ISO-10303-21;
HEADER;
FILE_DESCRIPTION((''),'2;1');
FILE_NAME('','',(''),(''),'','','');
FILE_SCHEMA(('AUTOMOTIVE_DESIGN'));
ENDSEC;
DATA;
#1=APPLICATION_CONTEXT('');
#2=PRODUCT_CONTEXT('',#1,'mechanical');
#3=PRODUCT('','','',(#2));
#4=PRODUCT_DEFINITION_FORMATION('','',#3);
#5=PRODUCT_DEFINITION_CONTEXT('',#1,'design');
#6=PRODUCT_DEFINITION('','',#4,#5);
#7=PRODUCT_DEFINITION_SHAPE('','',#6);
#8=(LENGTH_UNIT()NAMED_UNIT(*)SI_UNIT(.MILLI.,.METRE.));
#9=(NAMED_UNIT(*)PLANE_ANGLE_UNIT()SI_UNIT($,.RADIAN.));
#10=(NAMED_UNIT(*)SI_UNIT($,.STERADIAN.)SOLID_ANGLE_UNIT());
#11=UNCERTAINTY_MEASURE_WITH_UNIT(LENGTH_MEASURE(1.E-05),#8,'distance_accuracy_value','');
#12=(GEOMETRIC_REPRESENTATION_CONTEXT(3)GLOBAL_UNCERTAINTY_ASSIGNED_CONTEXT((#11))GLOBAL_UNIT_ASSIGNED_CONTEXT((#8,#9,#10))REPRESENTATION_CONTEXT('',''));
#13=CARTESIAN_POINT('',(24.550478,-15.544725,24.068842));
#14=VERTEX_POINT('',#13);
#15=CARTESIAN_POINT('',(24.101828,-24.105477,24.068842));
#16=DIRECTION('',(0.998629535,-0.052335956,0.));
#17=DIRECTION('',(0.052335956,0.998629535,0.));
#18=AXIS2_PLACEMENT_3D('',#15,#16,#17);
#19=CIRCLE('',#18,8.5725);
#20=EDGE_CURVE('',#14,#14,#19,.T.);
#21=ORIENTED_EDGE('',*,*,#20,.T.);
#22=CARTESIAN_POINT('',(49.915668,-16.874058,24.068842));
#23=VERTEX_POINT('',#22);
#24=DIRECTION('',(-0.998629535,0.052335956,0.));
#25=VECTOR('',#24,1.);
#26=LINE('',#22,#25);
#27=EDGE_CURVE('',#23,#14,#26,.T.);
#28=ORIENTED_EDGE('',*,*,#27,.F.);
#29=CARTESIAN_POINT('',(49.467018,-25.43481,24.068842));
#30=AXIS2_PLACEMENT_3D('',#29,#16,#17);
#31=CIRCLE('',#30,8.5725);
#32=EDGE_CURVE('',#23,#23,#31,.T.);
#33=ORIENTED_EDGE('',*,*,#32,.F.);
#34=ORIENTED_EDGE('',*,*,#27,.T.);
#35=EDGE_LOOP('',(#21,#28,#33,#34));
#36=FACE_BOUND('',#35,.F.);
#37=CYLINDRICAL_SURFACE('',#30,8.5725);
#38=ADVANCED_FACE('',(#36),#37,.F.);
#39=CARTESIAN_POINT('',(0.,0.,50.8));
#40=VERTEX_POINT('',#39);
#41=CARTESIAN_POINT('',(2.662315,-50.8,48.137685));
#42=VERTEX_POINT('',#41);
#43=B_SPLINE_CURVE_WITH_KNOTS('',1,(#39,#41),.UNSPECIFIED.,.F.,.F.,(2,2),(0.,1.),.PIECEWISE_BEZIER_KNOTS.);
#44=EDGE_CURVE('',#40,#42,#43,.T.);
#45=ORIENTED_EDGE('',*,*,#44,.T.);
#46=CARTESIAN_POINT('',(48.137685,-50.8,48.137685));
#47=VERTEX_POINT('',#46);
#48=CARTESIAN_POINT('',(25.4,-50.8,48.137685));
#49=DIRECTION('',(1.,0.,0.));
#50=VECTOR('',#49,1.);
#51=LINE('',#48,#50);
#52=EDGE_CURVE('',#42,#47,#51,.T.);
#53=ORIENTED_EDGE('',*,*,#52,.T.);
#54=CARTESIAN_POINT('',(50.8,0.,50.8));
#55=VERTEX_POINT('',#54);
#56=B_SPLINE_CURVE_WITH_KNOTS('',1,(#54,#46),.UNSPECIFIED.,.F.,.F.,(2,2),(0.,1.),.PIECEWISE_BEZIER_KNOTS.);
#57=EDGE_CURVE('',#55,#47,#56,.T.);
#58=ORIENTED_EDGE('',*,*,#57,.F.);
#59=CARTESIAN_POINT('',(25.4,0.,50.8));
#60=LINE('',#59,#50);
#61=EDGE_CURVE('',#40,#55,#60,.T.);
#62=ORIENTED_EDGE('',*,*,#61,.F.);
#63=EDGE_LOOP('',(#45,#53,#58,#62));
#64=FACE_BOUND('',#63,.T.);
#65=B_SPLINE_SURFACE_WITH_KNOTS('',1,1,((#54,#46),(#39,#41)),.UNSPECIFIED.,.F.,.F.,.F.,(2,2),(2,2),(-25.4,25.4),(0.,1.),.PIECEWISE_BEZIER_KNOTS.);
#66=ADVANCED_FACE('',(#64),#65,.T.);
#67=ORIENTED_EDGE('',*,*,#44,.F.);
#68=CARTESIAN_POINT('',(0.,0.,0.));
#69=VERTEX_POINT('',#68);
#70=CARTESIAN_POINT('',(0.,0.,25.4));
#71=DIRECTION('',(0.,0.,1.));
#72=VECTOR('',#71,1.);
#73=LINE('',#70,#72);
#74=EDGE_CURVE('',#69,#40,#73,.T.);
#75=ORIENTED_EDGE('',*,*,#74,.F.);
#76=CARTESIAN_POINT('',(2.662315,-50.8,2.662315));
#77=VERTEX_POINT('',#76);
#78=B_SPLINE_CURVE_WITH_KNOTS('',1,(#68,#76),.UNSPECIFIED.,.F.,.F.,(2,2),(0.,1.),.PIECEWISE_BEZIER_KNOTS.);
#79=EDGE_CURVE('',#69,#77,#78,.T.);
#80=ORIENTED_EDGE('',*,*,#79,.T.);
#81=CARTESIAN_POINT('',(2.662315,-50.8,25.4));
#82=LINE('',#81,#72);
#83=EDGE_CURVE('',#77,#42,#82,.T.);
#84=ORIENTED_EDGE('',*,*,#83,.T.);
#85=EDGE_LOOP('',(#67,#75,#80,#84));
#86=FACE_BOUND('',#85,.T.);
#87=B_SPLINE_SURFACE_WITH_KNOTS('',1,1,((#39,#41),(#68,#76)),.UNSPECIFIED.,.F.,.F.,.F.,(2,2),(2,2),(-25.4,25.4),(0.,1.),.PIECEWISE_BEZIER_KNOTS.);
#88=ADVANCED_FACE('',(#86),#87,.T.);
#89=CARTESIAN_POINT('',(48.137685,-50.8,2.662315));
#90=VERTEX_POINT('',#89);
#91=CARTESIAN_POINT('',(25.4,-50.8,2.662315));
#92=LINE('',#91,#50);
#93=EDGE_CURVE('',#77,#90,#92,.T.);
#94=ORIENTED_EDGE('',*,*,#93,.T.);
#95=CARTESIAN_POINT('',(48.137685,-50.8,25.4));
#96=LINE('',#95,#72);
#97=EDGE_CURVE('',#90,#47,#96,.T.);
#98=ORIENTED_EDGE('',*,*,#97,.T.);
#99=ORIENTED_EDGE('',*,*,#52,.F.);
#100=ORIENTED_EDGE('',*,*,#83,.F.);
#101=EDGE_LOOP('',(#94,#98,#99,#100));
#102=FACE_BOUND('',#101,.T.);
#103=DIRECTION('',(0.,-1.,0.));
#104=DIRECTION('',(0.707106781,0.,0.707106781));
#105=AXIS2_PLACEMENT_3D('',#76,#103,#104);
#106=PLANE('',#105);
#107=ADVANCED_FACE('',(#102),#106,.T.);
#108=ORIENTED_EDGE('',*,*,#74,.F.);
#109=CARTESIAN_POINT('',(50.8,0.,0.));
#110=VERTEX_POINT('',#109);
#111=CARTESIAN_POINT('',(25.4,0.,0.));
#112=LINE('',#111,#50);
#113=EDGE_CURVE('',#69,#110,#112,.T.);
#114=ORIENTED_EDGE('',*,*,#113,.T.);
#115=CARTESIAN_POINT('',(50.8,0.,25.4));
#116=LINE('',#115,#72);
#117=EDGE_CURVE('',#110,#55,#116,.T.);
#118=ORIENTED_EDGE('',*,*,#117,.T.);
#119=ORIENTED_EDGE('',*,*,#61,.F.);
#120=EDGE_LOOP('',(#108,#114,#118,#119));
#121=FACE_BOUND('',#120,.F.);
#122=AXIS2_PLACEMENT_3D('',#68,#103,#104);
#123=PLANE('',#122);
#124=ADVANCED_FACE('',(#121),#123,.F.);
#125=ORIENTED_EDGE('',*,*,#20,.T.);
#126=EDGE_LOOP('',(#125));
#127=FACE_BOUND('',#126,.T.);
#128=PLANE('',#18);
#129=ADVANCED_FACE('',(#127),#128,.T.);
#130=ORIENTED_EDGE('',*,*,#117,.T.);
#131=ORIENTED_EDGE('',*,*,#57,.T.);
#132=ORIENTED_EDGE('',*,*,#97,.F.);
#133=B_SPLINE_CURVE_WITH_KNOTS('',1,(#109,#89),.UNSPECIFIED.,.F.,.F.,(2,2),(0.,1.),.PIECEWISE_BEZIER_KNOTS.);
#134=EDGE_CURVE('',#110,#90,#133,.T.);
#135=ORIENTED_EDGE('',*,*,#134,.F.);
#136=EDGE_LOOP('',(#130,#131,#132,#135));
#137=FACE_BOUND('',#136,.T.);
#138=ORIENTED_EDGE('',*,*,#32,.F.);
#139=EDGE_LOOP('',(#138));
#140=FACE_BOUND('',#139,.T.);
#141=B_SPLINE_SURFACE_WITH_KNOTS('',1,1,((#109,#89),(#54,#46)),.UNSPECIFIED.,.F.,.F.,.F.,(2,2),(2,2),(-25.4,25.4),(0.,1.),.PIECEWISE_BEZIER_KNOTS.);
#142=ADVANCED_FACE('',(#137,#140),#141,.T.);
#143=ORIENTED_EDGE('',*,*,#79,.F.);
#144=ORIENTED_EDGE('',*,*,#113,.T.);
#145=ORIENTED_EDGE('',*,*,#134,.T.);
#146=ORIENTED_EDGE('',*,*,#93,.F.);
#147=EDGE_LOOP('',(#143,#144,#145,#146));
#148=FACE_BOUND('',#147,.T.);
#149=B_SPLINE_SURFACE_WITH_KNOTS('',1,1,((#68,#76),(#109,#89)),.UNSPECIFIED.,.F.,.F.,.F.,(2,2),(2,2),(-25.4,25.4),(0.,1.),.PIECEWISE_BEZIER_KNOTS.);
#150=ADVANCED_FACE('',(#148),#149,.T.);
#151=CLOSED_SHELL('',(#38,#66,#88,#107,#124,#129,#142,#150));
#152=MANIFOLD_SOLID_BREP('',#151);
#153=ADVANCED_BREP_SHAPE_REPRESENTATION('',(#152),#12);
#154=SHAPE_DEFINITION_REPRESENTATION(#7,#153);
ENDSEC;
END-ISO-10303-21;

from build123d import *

# Parameters (mm, degrees)
F0_W     = 50.8
F0_H     = 50.8
F1_DEPTH = 50.8
F1_TAPER = 3
F2_R     = 8.5725
F3_DEPTH = 25.4


with BuildPart() as f1:
    # F0 (on Front) → F1 (new body)
    with BuildSketch(Plane.XZ):
        with Locations((25.4, 25.4)):
            Rectangle(F0_W, F0_H)
    extrude(amount=F1_DEPTH, taper=F1_TAPER)

    # F2 (on face) → F3 (cut)
    with BuildSketch(Plane(origin=(50.6608561424, -2.655022967, 0), x_dir=(0.0523359562, 0.9986295348, 0), z_dir=(0.9986295348, -0.0523359562, 0))):
        with Locations((-22.8110485996, 24.0688424062)):
            Circle(F2_R)
    extrude(amount=-F3_DEPTH, mode=Mode.SUBTRACT)


solid = f1.part
